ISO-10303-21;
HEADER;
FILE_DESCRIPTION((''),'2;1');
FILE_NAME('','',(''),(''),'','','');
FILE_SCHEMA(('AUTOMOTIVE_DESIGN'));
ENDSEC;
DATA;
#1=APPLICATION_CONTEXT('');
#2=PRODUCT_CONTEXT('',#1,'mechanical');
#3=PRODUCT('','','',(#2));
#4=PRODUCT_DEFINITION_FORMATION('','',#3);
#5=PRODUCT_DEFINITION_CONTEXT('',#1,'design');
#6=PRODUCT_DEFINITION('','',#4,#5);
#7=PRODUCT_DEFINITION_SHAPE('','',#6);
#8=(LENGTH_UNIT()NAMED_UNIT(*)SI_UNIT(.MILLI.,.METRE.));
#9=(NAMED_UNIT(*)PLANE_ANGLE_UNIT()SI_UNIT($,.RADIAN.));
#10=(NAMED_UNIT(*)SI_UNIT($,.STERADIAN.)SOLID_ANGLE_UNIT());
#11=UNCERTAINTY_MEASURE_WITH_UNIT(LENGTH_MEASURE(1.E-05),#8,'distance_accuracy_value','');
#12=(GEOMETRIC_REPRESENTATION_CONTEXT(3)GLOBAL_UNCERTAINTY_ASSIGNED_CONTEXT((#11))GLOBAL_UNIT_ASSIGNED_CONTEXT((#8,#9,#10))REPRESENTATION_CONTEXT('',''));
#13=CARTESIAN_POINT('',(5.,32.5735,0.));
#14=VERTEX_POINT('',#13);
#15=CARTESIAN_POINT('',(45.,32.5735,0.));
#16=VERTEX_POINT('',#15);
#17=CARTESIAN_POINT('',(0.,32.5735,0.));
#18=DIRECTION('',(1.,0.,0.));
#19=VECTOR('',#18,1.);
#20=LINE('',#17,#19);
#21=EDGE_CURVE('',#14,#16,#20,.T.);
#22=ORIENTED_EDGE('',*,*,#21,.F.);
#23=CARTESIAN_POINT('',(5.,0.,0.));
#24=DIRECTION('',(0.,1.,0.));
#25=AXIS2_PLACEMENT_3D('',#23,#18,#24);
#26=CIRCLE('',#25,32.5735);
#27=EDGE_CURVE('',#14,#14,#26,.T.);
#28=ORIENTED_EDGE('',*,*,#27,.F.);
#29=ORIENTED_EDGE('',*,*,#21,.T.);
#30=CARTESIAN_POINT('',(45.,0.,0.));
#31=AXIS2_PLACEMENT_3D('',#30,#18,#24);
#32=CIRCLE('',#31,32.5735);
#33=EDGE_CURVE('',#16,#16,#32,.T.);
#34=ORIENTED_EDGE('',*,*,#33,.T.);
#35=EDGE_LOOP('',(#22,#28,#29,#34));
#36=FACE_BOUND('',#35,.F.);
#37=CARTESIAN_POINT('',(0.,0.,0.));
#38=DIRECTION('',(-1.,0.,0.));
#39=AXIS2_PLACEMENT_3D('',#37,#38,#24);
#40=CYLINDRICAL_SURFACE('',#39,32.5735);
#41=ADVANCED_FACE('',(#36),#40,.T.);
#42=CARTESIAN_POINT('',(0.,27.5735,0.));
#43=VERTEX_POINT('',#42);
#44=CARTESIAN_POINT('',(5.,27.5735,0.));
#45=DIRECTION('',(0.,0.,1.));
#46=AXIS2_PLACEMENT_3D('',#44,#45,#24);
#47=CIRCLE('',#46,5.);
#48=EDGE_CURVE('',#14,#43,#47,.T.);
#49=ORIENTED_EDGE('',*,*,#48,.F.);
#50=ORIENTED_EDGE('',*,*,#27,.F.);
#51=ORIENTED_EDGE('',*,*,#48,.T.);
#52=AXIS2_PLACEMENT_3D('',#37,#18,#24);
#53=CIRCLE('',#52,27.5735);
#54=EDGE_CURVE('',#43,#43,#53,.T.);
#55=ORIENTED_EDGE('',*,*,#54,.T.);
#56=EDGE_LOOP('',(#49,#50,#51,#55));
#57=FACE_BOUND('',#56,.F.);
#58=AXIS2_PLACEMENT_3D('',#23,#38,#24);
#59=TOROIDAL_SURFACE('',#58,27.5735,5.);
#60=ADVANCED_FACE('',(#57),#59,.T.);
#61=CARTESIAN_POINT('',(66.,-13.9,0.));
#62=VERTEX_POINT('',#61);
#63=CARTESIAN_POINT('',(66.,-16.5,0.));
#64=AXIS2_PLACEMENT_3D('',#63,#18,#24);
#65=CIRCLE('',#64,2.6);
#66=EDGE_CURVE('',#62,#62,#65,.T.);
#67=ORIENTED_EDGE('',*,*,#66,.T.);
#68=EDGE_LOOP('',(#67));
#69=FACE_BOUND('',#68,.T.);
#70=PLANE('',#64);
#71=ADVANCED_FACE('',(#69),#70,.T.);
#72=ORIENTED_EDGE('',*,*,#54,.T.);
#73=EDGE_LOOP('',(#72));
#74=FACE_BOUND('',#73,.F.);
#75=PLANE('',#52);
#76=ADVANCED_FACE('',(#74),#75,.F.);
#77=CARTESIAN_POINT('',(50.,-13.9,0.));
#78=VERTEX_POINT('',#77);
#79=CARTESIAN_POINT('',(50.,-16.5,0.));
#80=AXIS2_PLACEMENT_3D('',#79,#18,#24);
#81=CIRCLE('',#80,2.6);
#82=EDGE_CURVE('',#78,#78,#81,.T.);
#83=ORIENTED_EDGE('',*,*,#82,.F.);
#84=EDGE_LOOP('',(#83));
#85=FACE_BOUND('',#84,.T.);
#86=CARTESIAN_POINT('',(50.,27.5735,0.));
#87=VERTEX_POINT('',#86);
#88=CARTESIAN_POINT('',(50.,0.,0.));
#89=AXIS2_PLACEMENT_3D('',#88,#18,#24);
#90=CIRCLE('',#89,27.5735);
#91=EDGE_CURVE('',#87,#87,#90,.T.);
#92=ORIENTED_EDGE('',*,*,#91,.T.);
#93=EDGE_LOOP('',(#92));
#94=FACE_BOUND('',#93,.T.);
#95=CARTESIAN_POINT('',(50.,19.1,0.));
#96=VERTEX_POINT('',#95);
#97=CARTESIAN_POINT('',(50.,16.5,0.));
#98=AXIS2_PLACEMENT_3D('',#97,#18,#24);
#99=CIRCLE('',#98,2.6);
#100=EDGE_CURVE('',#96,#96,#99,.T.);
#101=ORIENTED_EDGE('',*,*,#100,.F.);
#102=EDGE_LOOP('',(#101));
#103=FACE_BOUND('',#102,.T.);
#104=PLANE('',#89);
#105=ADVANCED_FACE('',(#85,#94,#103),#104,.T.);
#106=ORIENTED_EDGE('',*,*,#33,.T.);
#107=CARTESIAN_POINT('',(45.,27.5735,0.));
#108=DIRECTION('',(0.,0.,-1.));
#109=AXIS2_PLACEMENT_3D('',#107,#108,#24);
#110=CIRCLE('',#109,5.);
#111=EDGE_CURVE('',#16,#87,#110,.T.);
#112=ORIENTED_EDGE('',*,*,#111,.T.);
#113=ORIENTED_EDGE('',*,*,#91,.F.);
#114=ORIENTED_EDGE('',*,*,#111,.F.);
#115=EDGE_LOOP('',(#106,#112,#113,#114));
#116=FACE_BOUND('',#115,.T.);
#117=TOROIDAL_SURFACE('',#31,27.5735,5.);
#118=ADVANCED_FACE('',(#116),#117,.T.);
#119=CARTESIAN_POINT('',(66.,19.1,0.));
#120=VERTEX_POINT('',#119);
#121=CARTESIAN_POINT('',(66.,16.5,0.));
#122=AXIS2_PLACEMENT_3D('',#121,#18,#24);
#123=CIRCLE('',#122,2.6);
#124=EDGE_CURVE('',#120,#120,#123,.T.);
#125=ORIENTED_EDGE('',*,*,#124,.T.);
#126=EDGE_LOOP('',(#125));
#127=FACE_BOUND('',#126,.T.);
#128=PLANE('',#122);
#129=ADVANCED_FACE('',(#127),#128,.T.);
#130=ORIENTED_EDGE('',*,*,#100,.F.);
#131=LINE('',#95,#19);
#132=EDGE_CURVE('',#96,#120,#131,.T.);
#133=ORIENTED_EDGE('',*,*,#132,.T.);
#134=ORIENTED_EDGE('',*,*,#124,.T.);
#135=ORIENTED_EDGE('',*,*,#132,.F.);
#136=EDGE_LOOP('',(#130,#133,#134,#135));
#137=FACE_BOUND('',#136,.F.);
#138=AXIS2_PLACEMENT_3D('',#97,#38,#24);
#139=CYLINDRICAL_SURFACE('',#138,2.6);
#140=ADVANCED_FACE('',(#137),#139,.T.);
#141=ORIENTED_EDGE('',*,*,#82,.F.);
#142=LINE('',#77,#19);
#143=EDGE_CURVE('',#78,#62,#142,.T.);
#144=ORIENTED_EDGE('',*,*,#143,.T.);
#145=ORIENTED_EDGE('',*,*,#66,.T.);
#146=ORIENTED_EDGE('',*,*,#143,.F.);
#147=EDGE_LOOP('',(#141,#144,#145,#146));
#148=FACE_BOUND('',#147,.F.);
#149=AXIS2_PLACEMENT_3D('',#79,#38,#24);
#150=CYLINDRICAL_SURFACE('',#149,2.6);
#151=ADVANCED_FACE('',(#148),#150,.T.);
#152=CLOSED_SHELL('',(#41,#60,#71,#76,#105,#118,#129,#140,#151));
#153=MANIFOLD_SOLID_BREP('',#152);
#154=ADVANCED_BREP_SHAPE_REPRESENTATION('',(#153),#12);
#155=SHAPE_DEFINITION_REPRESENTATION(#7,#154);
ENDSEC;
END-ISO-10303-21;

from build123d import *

# Parameters (mm, degrees)
F0_R     = 32.5735
F1_DEPTH = 50
F2_R     = 5
F3_R     = 2.6
F4_DEPTH = 16


with BuildPart() as f1:
    # F0 (on Right) → F1 (new body)
    with BuildSketch(Plane.YZ):
        Circle(F0_R)
    extrude(amount=F1_DEPTH)

    # F2
    f2_edges = [f1.edges().sort_by_distance(p)[0] for p in [
        (50, -32.5735, 0),
        (0, -32.5735, 0),
    ]]
    fillet(f2_edges, radius=F2_R)

    # F3 (on face) → F4 (join)
    with BuildSketch(Plane.YZ.offset(50)):
        with Locations((16.5, 0)):
            Circle(F3_R)
        with Locations((-16.5, 0)):
            Circle(F3_R)
    extrude(amount=F4_DEPTH)


solid = f1.part
